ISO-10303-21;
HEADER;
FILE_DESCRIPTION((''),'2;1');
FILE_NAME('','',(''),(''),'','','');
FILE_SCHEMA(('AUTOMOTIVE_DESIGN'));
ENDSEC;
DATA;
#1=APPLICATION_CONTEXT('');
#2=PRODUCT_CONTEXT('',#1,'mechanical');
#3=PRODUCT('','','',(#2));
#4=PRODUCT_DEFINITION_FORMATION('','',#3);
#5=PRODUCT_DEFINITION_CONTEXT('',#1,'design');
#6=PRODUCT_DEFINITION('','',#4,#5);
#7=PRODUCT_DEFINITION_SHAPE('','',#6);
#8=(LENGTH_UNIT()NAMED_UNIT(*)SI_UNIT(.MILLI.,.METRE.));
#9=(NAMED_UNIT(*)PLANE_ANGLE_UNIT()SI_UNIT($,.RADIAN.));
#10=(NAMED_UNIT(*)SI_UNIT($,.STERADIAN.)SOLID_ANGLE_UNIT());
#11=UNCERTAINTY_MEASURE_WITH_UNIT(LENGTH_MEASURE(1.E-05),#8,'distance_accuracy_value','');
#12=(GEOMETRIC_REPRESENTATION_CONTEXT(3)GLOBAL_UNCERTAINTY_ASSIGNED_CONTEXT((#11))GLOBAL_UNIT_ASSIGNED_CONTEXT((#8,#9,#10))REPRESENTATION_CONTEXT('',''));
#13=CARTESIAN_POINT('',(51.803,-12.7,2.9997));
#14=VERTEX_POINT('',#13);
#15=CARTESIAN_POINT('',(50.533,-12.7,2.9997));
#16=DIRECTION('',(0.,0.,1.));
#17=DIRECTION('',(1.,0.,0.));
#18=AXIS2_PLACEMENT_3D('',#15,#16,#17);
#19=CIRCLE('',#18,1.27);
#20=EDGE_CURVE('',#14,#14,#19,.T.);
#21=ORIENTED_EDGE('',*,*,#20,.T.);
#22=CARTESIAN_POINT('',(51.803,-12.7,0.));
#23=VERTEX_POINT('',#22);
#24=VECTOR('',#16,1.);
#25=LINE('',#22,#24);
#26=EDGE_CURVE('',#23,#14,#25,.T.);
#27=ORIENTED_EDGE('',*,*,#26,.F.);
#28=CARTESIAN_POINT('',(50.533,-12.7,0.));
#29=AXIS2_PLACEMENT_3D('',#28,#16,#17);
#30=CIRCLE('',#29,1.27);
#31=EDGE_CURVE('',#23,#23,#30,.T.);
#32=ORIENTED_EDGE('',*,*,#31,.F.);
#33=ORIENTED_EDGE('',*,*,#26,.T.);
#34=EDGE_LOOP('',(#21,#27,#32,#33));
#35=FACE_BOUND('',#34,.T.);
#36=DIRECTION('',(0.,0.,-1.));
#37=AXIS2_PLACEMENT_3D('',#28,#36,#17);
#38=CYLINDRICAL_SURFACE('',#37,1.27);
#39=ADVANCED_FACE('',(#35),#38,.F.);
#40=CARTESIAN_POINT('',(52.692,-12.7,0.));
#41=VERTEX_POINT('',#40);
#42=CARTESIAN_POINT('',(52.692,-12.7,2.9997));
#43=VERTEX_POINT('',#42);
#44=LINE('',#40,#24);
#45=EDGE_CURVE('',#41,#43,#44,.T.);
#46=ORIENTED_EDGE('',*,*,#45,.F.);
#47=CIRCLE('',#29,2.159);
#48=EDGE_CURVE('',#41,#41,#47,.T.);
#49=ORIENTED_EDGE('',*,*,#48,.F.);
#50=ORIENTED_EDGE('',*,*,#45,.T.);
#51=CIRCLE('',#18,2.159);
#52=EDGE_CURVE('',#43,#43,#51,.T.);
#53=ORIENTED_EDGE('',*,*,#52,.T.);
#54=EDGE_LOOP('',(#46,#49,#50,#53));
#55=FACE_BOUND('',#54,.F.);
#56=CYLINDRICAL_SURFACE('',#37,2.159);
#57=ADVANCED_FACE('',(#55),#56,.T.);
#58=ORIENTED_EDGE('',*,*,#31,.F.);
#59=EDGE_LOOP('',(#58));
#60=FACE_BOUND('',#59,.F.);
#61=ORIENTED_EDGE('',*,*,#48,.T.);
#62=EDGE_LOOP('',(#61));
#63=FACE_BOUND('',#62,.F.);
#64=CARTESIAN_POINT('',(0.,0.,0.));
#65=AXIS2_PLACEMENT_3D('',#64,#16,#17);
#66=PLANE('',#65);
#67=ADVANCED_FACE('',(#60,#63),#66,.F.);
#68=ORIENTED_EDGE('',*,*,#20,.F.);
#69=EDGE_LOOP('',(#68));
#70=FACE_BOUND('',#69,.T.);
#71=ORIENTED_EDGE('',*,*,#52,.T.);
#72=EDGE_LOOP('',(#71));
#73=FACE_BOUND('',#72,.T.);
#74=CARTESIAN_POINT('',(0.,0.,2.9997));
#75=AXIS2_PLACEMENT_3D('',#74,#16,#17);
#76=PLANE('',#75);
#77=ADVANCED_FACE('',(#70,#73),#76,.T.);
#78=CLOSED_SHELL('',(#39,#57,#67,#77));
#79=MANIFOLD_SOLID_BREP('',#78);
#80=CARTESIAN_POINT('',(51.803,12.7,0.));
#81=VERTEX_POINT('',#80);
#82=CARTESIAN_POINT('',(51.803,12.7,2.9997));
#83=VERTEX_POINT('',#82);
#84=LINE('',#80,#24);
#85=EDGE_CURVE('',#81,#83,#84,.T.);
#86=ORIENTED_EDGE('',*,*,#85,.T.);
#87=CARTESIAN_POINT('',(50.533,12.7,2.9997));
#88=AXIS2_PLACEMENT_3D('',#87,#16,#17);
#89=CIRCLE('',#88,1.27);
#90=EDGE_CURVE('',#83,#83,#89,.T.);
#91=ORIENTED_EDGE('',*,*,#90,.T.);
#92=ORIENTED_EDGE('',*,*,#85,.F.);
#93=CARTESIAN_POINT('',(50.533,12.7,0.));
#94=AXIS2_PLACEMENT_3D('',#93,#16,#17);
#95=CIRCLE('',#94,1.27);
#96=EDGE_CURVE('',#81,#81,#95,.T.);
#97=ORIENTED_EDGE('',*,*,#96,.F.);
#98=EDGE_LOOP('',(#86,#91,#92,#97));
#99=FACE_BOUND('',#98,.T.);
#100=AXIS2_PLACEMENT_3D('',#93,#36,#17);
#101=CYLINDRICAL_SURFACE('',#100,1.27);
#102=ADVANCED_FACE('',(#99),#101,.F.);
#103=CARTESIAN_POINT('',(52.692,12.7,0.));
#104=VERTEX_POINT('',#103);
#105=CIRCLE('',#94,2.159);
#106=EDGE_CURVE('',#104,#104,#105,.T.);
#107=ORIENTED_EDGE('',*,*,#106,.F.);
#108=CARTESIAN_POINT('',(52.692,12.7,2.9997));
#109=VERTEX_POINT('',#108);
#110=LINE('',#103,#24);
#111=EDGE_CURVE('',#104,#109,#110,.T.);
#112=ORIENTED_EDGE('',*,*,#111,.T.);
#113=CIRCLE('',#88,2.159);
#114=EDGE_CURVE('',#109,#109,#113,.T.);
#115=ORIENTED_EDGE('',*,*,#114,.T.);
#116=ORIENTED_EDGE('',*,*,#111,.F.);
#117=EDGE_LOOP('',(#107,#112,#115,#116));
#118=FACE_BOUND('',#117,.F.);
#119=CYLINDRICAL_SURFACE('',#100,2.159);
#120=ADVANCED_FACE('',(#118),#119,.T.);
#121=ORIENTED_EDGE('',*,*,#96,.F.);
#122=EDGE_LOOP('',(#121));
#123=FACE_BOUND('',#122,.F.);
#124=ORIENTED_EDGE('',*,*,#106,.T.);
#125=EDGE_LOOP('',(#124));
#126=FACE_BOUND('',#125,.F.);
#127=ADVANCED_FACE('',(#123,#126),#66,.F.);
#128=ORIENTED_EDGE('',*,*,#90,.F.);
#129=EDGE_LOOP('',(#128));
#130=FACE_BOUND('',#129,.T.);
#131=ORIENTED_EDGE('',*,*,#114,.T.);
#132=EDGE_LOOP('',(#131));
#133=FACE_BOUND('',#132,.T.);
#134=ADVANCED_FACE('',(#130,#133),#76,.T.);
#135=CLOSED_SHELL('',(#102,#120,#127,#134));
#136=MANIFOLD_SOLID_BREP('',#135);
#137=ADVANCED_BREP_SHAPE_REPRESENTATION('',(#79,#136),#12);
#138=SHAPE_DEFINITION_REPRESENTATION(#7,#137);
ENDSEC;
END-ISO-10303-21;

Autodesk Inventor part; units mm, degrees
ref_plane "YZ Plane" through (0, 0, 0) normal (1, 0, 0) x (0, 1, 0)
ref_plane "XZ Plane" through (0, 0, 0) normal (0, 1, 0) x (-1, 0, 0)
ref_plane "XY Plane" through (0, 0, 0) normal (0, 0, 1) x (1, 0, 0)
sketch "Sketch1" plane through (0, 0, 0) normal (0, 0, 1) x (1, 0, 0)
  circle A0 centre (50.533, 12.7) radius 1.27 projected
  circle A1 centre (50.533, -12.7) radius 1.27 projected
  circle A2 centre (50.533, 12.7) radius 2.159
  circle A3 centre (50.533, -12.7) radius 2.159
  point P0 (0, 0)
  dimension "d0" = 4.318
  dimension "d1" = 4.318
extrude "Extrusion1" add sketch "Sketch1" along normal blind 2.9997
properties part number "i2c_mplx_spacer" material "PET Plastic White"
